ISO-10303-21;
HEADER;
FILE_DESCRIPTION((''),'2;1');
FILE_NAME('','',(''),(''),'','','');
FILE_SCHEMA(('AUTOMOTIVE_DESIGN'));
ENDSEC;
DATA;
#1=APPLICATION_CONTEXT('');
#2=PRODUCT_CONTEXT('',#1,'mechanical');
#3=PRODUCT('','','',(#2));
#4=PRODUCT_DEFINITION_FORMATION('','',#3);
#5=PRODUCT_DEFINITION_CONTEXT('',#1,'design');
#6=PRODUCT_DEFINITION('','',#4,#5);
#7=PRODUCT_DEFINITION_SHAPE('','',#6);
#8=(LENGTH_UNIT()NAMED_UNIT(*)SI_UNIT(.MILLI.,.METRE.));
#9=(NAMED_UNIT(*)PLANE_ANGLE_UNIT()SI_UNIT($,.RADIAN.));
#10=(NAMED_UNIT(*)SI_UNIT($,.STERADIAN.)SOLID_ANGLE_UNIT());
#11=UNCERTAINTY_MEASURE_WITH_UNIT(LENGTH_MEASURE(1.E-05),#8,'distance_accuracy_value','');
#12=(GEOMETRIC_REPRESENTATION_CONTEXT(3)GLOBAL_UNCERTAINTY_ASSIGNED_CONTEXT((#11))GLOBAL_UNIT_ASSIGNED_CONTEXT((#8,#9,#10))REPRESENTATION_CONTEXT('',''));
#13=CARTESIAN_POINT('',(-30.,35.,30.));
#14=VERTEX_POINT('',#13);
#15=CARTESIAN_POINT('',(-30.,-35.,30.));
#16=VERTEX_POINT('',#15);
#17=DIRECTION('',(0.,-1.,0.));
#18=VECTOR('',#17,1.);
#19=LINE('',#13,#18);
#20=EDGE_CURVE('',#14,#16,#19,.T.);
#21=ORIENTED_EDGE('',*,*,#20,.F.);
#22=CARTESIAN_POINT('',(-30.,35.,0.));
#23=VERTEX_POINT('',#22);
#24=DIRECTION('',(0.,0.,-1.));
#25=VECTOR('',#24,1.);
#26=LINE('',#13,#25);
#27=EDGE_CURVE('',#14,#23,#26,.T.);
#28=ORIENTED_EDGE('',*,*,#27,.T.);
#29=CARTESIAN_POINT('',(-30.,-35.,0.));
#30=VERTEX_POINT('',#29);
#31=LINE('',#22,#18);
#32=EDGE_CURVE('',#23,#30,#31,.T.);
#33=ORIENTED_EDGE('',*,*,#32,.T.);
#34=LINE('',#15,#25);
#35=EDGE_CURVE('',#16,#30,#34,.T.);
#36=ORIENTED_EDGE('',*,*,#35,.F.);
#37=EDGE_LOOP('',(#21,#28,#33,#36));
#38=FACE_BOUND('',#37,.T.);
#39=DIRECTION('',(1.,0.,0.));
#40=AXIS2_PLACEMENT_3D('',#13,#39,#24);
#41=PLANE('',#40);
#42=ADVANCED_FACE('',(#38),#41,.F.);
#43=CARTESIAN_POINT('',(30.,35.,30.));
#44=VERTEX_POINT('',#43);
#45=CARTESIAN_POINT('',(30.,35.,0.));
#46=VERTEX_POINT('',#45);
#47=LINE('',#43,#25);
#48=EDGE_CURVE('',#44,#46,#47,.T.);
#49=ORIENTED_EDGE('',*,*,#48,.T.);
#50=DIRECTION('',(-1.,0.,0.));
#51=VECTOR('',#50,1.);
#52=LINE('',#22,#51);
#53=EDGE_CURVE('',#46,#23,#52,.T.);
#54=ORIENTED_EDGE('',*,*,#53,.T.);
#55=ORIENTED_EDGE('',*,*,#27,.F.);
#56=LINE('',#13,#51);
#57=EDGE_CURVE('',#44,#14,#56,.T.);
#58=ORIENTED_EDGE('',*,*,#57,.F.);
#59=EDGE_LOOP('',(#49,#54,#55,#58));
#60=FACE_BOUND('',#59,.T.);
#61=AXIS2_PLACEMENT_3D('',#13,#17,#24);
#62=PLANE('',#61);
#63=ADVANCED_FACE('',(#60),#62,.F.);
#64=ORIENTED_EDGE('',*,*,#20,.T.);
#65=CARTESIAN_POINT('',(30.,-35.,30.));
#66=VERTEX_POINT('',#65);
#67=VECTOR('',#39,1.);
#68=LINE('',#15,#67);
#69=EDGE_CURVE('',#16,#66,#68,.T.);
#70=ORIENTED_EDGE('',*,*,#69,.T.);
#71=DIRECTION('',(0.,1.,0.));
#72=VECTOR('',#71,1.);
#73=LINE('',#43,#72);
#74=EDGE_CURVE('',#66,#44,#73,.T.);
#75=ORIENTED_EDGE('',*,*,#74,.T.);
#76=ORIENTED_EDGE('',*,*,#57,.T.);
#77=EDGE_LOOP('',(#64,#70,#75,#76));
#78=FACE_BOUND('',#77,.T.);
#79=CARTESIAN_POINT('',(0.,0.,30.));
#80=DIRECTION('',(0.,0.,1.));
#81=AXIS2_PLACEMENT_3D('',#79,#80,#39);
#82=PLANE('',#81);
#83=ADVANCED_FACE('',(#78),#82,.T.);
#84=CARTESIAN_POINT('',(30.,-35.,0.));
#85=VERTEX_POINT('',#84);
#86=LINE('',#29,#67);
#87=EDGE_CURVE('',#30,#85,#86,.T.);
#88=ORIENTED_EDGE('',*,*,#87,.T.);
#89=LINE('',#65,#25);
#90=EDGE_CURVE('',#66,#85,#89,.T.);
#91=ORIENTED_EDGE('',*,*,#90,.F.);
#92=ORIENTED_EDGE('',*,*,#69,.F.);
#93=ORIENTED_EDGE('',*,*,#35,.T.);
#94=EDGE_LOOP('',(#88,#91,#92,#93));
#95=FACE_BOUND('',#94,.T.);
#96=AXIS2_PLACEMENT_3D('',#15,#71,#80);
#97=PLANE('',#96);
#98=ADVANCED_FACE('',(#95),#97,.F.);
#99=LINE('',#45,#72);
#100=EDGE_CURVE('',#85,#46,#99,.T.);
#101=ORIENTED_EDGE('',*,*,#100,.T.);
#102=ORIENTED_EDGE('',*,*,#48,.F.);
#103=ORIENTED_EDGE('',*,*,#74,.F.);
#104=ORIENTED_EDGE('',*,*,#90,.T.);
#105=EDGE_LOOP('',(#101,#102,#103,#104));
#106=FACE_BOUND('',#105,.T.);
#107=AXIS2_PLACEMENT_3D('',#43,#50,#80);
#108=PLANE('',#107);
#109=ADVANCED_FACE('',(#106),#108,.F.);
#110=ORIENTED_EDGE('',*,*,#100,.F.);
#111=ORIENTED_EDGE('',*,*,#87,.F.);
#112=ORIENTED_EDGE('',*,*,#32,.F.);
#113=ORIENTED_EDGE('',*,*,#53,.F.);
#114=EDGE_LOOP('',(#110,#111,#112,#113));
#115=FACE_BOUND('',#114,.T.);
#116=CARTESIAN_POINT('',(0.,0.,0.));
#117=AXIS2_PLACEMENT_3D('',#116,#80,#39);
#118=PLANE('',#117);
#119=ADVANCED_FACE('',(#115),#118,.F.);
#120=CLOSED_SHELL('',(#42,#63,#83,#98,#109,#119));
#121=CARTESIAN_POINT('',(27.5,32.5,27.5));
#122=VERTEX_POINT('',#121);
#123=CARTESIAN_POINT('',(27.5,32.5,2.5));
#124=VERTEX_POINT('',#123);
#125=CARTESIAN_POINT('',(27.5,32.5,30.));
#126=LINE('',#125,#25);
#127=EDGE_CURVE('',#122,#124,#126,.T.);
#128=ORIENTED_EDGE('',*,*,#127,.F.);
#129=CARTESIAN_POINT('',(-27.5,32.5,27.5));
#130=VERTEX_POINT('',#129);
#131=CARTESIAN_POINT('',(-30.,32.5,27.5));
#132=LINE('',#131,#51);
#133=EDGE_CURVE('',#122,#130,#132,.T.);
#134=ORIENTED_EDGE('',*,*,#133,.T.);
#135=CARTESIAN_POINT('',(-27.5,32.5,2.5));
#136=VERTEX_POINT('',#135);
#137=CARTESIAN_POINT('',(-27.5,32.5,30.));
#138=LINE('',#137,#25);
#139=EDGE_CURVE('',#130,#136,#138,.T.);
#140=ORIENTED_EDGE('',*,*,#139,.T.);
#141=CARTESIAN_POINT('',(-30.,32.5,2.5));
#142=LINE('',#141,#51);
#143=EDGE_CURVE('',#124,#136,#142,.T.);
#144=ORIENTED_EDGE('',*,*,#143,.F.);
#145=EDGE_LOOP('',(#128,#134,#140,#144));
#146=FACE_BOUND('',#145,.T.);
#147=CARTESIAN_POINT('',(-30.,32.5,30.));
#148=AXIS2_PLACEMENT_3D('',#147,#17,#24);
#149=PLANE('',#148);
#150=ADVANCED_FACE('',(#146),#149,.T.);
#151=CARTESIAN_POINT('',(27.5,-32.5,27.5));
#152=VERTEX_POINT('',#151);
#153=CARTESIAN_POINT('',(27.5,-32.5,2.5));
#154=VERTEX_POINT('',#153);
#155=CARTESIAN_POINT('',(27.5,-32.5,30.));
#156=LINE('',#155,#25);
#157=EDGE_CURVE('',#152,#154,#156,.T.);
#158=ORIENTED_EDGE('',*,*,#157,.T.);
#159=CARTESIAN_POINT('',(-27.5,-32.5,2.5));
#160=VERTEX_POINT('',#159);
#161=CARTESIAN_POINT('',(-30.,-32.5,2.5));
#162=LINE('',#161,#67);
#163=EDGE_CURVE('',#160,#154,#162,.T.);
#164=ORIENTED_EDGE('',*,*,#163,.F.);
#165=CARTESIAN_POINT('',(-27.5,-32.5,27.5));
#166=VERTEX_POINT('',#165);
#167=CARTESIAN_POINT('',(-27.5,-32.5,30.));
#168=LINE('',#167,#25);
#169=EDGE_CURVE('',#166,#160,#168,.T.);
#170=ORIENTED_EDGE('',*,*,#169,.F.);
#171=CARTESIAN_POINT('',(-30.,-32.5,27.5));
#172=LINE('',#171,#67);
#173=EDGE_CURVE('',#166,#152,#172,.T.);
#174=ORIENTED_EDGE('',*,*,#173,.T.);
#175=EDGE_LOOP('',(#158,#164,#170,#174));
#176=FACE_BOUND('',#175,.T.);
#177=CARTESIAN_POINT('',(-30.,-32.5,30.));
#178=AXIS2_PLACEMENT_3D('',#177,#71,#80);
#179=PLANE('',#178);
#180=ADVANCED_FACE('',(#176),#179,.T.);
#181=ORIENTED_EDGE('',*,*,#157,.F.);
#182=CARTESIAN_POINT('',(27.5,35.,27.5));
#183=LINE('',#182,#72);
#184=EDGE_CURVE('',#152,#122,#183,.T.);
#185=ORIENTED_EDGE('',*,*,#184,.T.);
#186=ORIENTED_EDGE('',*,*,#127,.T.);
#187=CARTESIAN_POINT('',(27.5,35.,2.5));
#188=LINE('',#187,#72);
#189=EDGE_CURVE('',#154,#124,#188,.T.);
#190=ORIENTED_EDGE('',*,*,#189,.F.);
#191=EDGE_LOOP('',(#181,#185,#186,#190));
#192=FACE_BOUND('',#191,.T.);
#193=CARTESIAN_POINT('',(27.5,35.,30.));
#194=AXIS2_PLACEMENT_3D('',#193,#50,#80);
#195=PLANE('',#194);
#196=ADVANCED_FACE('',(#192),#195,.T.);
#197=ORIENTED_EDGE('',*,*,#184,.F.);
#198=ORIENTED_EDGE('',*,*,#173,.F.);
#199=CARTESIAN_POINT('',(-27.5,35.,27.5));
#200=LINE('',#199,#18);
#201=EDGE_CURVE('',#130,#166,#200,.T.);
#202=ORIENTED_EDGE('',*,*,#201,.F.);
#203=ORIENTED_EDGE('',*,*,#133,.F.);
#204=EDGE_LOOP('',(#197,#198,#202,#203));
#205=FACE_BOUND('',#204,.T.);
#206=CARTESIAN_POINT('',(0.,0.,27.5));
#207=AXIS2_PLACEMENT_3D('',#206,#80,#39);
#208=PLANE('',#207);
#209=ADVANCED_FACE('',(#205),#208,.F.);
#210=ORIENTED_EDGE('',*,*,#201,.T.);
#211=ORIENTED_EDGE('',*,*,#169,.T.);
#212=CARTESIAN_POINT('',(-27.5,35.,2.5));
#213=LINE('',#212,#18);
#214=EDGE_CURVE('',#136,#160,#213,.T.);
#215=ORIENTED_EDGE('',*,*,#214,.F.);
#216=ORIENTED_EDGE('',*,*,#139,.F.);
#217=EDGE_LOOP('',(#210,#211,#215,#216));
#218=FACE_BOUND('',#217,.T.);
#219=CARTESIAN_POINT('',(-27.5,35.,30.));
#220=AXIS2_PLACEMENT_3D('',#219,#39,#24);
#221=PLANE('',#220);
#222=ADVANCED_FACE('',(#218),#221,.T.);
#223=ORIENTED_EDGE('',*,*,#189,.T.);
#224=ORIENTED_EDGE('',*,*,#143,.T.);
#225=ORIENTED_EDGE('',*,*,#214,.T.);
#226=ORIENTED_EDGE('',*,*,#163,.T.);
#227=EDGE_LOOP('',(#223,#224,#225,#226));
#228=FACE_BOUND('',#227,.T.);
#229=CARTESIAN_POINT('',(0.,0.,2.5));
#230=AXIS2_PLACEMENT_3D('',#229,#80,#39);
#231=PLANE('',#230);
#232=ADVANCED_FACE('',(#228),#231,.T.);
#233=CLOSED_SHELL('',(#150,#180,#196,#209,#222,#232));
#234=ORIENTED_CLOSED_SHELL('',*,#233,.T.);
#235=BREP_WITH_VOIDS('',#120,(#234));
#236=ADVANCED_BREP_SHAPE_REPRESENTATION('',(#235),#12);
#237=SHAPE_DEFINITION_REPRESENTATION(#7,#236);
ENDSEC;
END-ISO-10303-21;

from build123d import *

# Parameters (mm, degrees)
SKETCH1_W           = 60
SKETCH1_H           = 70
BOSS_EXTRUDE1_DEPTH = 30
SHELL1_T            = 2.5


with BuildPart() as part:
    # Sketch1 → Boss-Extrude1 (new body)
    with BuildSketch(Plane.XY):
        Rectangle(SKETCH1_W, SKETCH1_H)
    extrude(amount=BOSS_EXTRUDE1_DEPTH)

    # Shell1 (no face opened: a closed hollow body)
    add(offset(amount=-SHELL1_T, mode=Mode.PRIVATE), mode=Mode.SUBTRACT)


solid = part.part
